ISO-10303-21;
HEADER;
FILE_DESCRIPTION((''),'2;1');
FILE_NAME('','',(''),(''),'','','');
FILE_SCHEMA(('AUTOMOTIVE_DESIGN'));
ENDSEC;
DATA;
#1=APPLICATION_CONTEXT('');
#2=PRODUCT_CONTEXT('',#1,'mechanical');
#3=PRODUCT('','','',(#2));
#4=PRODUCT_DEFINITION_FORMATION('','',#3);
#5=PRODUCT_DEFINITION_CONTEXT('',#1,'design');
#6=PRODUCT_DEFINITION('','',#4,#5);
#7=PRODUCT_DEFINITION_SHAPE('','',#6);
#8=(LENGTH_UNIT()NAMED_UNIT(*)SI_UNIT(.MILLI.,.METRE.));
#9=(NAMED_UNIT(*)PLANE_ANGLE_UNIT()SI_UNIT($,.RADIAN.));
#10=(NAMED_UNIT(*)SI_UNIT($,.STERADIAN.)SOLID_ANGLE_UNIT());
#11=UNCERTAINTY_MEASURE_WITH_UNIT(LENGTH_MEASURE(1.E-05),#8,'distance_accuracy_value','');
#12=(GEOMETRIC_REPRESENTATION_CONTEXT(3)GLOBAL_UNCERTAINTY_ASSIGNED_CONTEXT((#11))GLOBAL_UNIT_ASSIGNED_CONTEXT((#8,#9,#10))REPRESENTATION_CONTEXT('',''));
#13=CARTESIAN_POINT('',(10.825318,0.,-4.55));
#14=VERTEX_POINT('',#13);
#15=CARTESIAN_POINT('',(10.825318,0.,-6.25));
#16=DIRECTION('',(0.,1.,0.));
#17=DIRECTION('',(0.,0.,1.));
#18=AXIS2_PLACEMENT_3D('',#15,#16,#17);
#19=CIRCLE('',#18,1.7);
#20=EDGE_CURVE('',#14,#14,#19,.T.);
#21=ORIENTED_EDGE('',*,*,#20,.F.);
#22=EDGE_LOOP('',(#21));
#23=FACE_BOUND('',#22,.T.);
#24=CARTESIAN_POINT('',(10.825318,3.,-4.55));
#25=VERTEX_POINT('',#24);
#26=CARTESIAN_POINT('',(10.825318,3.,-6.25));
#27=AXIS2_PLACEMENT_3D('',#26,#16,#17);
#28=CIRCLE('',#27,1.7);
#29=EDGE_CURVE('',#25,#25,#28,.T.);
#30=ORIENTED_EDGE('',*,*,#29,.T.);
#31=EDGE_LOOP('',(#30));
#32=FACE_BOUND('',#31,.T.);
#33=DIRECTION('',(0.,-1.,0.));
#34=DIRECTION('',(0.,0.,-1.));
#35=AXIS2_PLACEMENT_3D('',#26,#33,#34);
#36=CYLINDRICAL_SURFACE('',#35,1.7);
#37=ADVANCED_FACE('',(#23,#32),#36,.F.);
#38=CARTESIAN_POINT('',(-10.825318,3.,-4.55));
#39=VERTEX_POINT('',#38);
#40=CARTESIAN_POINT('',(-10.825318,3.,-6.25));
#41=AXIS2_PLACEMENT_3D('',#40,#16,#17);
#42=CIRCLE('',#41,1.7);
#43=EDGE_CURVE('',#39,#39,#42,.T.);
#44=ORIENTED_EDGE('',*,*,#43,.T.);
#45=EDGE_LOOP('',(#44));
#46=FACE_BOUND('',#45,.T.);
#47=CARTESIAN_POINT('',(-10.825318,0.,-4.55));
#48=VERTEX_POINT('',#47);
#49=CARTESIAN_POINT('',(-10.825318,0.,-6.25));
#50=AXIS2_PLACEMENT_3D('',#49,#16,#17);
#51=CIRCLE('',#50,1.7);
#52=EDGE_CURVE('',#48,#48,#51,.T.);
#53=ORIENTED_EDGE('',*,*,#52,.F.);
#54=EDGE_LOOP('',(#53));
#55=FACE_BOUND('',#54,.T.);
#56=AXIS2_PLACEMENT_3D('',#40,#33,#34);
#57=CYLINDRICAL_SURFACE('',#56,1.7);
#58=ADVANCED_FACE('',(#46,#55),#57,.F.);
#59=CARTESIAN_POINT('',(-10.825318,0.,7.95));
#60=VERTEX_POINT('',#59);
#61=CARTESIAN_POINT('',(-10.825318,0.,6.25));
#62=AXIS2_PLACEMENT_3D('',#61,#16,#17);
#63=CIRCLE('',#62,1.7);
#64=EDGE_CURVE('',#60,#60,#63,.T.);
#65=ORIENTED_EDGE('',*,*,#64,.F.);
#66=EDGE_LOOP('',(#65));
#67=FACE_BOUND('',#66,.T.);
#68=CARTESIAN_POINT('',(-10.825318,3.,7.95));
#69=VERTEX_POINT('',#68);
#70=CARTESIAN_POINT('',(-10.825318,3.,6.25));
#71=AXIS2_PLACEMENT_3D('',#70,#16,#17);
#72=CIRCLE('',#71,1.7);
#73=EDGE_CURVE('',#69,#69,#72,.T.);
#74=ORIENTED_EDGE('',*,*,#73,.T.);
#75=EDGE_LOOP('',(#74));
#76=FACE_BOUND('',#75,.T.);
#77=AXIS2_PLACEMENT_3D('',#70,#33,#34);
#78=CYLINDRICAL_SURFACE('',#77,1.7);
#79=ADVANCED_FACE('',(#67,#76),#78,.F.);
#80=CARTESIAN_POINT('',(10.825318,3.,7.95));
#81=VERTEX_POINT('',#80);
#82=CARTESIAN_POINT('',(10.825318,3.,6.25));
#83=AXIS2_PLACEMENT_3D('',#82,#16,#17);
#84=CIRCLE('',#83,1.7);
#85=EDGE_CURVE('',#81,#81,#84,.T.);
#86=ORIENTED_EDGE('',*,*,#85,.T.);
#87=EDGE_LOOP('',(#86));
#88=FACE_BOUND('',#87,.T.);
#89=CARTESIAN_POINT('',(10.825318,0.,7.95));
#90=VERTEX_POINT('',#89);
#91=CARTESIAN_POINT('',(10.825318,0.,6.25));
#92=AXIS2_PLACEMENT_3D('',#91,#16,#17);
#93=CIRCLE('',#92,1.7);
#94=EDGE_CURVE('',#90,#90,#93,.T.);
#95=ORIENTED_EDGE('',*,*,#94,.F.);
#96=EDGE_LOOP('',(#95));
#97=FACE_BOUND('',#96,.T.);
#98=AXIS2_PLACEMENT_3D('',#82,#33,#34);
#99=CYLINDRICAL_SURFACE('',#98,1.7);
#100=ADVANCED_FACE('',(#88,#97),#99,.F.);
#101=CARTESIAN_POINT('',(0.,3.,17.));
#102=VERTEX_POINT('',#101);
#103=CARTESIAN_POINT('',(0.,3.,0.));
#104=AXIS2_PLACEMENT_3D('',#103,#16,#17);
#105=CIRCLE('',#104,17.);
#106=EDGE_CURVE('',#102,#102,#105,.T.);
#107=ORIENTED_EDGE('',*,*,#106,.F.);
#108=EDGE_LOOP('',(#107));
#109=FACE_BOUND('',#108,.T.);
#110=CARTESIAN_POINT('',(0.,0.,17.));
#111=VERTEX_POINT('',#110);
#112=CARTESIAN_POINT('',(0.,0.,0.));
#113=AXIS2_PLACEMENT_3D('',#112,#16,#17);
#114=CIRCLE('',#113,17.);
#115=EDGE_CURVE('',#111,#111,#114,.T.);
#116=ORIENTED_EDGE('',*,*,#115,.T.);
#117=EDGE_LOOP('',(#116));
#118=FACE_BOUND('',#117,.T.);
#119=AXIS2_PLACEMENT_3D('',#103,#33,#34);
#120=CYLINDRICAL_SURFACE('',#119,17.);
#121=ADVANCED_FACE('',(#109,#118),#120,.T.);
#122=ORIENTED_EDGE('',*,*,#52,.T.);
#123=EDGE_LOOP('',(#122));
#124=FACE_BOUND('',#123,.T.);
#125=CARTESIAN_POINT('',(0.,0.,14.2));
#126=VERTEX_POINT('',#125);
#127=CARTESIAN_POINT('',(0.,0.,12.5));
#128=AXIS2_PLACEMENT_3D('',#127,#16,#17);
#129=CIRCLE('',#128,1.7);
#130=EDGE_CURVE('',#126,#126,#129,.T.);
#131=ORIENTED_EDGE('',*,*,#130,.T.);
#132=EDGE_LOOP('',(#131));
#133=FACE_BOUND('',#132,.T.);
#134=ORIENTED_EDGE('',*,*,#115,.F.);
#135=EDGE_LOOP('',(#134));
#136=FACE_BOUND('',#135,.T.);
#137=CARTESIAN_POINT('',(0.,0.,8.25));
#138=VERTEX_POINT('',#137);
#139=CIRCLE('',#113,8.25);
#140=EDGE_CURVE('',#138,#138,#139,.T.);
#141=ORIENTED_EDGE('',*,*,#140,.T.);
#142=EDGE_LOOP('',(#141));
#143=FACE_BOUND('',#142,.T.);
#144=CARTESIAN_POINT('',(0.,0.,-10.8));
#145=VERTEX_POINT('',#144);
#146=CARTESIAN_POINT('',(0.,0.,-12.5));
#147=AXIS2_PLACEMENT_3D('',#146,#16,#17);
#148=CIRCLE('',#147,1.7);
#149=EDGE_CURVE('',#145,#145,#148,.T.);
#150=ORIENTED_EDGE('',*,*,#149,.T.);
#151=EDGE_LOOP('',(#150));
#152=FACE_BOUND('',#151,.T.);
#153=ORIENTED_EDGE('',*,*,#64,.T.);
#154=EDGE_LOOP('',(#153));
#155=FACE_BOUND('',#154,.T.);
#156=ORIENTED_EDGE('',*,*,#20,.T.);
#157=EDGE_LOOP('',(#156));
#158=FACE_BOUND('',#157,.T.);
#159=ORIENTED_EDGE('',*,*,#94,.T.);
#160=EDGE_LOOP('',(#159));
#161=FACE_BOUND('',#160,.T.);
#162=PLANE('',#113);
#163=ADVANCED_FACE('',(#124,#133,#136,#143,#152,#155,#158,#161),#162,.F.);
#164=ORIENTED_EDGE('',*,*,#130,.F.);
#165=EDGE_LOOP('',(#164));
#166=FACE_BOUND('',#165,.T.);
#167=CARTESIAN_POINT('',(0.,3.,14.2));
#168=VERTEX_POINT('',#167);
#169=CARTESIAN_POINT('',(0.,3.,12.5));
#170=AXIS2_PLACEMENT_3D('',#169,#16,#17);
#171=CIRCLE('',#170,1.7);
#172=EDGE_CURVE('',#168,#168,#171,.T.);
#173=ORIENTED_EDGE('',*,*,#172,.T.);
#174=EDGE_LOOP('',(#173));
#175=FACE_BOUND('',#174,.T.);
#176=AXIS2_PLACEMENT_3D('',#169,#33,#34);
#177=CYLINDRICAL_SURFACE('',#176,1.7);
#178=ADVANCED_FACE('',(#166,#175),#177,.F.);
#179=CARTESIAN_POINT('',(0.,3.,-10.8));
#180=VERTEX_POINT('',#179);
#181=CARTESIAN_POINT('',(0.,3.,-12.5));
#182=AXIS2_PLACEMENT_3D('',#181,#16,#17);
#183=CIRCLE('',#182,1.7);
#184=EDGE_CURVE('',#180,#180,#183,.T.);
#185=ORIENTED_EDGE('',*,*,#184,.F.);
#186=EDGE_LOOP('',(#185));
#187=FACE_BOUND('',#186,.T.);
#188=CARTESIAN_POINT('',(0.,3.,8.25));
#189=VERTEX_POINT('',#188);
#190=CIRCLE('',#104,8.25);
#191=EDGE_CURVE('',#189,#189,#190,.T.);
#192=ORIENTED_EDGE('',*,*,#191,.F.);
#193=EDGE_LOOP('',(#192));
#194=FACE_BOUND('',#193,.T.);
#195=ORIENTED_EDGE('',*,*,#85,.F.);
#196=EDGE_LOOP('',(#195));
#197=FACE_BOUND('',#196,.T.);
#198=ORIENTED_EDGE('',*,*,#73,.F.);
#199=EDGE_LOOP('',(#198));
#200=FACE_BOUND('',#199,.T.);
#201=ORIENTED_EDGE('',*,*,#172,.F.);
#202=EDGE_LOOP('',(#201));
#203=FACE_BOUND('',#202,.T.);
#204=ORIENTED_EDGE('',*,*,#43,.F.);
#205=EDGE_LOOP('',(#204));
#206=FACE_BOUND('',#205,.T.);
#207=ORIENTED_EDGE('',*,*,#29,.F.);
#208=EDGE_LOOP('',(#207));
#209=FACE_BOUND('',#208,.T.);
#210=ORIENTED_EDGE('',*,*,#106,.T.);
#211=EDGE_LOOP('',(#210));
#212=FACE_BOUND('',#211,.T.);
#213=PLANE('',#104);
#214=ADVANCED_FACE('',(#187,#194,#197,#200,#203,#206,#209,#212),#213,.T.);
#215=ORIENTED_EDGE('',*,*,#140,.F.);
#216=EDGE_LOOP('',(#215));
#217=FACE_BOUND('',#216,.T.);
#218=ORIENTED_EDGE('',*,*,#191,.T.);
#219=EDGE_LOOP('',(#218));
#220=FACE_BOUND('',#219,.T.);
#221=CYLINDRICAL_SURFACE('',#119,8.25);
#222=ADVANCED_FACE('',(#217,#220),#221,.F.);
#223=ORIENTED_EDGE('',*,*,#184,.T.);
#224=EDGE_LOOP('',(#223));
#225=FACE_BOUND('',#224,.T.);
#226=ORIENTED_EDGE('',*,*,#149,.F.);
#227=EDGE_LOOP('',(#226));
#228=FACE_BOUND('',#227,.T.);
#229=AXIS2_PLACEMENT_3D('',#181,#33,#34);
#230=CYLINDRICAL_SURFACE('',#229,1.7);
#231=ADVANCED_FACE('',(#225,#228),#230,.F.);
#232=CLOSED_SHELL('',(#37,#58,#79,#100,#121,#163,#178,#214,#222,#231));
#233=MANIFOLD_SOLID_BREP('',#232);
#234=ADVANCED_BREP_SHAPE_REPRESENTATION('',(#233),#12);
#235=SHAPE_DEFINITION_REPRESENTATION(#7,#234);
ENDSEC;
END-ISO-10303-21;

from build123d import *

# Parameters (mm, degrees)
SKETCH1_R           = 17
SKETCH1_R_2         = 8.25
SKETCH1_R_3         = 1.7
BOSS_EXTRUDE1_DEPTH = 3


with BuildPart() as part:
    # Sketch1 → Boss-Extrude1 (new body)
    with BuildSketch(Plane(origin=(0, 0, 0), x_dir=(1, 0, 0), z_dir=(0, 1, 0))):
        with Locations(Location((0, 0, 0), (0, 0, 270))):
            Circle(SKETCH1_R)
        with Locations(Location((0, 0, 0), (0, 0, 270))):
            Circle(SKETCH1_R_2, mode=Mode.SUBTRACT)
        with Locations(Location((0, 12.5, 0), (0, 0, 270))):
            Circle(SKETCH1_R_3, mode=Mode.SUBTRACT)
        with Locations(Location((10.825317547, 6.25, 0), (0, 0, 270))):
            Circle(SKETCH1_R_3, mode=Mode.SUBTRACT)
        with Locations(Location((10.825317547, -6.25, 0), (0, 0, 270))):
            Circle(SKETCH1_R_3, mode=Mode.SUBTRACT)
        with Locations(Location((0, -12.5, 0), (0, 0, 270))):
            Circle(SKETCH1_R_3, mode=Mode.SUBTRACT)
        with Locations(Location((-10.825317547, -6.25, 0), (0, 0, 270))):
            Circle(SKETCH1_R_3, mode=Mode.SUBTRACT)
        with Locations(Location((-10.825317547, 6.25, 0), (0, 0, 270))):
            Circle(SKETCH1_R_3, mode=Mode.SUBTRACT)
    extrude(amount=BOSS_EXTRUDE1_DEPTH)


solid = part.part
